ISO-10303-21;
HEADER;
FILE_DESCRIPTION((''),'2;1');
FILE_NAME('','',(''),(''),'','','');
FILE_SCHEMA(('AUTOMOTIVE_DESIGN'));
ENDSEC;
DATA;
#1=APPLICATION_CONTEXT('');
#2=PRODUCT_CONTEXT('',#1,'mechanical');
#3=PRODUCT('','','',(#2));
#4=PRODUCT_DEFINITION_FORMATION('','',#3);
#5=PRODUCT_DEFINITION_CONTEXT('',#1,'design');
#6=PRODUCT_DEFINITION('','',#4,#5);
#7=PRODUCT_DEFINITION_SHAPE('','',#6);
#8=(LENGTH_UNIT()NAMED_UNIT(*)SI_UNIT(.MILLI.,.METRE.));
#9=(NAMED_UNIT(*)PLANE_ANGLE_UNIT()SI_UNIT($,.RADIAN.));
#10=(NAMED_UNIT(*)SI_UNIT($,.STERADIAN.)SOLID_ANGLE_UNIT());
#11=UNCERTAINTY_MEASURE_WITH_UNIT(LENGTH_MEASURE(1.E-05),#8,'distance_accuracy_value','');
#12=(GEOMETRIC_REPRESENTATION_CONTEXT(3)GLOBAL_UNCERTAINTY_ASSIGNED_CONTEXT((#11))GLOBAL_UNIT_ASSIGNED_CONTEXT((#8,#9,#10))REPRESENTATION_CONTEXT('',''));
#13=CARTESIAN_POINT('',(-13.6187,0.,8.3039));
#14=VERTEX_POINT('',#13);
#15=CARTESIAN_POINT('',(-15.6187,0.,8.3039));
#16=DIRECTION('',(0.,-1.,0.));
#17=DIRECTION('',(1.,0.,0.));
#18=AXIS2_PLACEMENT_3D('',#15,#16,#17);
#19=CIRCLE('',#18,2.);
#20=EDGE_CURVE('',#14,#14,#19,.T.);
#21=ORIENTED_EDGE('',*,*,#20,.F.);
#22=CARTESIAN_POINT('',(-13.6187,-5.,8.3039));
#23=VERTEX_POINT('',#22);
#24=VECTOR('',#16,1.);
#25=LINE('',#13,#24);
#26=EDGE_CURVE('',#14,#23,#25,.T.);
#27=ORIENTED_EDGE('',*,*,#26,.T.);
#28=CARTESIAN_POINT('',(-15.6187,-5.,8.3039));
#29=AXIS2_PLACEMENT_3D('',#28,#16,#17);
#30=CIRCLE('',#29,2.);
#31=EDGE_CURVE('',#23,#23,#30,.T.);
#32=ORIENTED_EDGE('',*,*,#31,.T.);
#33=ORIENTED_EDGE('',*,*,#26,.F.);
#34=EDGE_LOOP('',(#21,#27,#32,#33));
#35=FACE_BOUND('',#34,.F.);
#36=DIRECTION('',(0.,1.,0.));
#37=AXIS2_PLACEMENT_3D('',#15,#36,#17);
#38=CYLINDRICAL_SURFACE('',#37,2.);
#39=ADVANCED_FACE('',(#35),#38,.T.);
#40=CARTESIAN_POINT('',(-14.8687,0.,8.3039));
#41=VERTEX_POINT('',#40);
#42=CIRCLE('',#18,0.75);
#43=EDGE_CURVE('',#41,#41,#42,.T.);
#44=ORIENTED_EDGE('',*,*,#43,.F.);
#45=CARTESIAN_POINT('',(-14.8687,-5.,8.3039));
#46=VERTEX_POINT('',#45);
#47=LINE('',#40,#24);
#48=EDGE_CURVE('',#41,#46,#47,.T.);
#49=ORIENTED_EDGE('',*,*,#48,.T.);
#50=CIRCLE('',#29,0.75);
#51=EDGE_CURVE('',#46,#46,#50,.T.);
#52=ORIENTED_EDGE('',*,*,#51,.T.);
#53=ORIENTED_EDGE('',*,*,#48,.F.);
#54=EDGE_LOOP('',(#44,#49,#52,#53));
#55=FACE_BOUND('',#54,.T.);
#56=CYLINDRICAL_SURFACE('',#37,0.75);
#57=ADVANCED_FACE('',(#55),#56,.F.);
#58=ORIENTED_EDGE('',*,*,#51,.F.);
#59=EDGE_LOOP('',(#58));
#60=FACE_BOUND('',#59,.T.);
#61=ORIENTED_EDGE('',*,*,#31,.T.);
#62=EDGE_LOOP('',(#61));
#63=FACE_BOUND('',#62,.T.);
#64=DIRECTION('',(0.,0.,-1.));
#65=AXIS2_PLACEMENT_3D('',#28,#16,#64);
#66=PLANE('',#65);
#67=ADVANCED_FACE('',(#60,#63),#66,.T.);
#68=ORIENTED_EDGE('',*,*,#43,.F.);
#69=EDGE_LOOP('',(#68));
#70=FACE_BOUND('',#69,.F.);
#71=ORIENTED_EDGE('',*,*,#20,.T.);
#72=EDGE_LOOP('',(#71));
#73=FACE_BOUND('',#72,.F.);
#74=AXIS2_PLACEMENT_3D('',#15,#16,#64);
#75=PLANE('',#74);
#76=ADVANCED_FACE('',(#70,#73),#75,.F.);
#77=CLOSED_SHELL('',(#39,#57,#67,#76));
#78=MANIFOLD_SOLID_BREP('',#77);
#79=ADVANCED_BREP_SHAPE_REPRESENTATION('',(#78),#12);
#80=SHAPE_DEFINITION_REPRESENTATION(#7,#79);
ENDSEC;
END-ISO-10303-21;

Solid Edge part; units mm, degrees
sketch "Sketch1" plane through (0, 0, 0) normal (0, -1, 0) x (1, 0, 0)
  circle A0 centre (-15.6187, 8.3039) radius 2
  circle A1 centre (-15.6187, 8.3039) radius 0.75
extrude "Protrusion1" add sketch "Sketch1" along normal blind 5
properties material "(None)"
